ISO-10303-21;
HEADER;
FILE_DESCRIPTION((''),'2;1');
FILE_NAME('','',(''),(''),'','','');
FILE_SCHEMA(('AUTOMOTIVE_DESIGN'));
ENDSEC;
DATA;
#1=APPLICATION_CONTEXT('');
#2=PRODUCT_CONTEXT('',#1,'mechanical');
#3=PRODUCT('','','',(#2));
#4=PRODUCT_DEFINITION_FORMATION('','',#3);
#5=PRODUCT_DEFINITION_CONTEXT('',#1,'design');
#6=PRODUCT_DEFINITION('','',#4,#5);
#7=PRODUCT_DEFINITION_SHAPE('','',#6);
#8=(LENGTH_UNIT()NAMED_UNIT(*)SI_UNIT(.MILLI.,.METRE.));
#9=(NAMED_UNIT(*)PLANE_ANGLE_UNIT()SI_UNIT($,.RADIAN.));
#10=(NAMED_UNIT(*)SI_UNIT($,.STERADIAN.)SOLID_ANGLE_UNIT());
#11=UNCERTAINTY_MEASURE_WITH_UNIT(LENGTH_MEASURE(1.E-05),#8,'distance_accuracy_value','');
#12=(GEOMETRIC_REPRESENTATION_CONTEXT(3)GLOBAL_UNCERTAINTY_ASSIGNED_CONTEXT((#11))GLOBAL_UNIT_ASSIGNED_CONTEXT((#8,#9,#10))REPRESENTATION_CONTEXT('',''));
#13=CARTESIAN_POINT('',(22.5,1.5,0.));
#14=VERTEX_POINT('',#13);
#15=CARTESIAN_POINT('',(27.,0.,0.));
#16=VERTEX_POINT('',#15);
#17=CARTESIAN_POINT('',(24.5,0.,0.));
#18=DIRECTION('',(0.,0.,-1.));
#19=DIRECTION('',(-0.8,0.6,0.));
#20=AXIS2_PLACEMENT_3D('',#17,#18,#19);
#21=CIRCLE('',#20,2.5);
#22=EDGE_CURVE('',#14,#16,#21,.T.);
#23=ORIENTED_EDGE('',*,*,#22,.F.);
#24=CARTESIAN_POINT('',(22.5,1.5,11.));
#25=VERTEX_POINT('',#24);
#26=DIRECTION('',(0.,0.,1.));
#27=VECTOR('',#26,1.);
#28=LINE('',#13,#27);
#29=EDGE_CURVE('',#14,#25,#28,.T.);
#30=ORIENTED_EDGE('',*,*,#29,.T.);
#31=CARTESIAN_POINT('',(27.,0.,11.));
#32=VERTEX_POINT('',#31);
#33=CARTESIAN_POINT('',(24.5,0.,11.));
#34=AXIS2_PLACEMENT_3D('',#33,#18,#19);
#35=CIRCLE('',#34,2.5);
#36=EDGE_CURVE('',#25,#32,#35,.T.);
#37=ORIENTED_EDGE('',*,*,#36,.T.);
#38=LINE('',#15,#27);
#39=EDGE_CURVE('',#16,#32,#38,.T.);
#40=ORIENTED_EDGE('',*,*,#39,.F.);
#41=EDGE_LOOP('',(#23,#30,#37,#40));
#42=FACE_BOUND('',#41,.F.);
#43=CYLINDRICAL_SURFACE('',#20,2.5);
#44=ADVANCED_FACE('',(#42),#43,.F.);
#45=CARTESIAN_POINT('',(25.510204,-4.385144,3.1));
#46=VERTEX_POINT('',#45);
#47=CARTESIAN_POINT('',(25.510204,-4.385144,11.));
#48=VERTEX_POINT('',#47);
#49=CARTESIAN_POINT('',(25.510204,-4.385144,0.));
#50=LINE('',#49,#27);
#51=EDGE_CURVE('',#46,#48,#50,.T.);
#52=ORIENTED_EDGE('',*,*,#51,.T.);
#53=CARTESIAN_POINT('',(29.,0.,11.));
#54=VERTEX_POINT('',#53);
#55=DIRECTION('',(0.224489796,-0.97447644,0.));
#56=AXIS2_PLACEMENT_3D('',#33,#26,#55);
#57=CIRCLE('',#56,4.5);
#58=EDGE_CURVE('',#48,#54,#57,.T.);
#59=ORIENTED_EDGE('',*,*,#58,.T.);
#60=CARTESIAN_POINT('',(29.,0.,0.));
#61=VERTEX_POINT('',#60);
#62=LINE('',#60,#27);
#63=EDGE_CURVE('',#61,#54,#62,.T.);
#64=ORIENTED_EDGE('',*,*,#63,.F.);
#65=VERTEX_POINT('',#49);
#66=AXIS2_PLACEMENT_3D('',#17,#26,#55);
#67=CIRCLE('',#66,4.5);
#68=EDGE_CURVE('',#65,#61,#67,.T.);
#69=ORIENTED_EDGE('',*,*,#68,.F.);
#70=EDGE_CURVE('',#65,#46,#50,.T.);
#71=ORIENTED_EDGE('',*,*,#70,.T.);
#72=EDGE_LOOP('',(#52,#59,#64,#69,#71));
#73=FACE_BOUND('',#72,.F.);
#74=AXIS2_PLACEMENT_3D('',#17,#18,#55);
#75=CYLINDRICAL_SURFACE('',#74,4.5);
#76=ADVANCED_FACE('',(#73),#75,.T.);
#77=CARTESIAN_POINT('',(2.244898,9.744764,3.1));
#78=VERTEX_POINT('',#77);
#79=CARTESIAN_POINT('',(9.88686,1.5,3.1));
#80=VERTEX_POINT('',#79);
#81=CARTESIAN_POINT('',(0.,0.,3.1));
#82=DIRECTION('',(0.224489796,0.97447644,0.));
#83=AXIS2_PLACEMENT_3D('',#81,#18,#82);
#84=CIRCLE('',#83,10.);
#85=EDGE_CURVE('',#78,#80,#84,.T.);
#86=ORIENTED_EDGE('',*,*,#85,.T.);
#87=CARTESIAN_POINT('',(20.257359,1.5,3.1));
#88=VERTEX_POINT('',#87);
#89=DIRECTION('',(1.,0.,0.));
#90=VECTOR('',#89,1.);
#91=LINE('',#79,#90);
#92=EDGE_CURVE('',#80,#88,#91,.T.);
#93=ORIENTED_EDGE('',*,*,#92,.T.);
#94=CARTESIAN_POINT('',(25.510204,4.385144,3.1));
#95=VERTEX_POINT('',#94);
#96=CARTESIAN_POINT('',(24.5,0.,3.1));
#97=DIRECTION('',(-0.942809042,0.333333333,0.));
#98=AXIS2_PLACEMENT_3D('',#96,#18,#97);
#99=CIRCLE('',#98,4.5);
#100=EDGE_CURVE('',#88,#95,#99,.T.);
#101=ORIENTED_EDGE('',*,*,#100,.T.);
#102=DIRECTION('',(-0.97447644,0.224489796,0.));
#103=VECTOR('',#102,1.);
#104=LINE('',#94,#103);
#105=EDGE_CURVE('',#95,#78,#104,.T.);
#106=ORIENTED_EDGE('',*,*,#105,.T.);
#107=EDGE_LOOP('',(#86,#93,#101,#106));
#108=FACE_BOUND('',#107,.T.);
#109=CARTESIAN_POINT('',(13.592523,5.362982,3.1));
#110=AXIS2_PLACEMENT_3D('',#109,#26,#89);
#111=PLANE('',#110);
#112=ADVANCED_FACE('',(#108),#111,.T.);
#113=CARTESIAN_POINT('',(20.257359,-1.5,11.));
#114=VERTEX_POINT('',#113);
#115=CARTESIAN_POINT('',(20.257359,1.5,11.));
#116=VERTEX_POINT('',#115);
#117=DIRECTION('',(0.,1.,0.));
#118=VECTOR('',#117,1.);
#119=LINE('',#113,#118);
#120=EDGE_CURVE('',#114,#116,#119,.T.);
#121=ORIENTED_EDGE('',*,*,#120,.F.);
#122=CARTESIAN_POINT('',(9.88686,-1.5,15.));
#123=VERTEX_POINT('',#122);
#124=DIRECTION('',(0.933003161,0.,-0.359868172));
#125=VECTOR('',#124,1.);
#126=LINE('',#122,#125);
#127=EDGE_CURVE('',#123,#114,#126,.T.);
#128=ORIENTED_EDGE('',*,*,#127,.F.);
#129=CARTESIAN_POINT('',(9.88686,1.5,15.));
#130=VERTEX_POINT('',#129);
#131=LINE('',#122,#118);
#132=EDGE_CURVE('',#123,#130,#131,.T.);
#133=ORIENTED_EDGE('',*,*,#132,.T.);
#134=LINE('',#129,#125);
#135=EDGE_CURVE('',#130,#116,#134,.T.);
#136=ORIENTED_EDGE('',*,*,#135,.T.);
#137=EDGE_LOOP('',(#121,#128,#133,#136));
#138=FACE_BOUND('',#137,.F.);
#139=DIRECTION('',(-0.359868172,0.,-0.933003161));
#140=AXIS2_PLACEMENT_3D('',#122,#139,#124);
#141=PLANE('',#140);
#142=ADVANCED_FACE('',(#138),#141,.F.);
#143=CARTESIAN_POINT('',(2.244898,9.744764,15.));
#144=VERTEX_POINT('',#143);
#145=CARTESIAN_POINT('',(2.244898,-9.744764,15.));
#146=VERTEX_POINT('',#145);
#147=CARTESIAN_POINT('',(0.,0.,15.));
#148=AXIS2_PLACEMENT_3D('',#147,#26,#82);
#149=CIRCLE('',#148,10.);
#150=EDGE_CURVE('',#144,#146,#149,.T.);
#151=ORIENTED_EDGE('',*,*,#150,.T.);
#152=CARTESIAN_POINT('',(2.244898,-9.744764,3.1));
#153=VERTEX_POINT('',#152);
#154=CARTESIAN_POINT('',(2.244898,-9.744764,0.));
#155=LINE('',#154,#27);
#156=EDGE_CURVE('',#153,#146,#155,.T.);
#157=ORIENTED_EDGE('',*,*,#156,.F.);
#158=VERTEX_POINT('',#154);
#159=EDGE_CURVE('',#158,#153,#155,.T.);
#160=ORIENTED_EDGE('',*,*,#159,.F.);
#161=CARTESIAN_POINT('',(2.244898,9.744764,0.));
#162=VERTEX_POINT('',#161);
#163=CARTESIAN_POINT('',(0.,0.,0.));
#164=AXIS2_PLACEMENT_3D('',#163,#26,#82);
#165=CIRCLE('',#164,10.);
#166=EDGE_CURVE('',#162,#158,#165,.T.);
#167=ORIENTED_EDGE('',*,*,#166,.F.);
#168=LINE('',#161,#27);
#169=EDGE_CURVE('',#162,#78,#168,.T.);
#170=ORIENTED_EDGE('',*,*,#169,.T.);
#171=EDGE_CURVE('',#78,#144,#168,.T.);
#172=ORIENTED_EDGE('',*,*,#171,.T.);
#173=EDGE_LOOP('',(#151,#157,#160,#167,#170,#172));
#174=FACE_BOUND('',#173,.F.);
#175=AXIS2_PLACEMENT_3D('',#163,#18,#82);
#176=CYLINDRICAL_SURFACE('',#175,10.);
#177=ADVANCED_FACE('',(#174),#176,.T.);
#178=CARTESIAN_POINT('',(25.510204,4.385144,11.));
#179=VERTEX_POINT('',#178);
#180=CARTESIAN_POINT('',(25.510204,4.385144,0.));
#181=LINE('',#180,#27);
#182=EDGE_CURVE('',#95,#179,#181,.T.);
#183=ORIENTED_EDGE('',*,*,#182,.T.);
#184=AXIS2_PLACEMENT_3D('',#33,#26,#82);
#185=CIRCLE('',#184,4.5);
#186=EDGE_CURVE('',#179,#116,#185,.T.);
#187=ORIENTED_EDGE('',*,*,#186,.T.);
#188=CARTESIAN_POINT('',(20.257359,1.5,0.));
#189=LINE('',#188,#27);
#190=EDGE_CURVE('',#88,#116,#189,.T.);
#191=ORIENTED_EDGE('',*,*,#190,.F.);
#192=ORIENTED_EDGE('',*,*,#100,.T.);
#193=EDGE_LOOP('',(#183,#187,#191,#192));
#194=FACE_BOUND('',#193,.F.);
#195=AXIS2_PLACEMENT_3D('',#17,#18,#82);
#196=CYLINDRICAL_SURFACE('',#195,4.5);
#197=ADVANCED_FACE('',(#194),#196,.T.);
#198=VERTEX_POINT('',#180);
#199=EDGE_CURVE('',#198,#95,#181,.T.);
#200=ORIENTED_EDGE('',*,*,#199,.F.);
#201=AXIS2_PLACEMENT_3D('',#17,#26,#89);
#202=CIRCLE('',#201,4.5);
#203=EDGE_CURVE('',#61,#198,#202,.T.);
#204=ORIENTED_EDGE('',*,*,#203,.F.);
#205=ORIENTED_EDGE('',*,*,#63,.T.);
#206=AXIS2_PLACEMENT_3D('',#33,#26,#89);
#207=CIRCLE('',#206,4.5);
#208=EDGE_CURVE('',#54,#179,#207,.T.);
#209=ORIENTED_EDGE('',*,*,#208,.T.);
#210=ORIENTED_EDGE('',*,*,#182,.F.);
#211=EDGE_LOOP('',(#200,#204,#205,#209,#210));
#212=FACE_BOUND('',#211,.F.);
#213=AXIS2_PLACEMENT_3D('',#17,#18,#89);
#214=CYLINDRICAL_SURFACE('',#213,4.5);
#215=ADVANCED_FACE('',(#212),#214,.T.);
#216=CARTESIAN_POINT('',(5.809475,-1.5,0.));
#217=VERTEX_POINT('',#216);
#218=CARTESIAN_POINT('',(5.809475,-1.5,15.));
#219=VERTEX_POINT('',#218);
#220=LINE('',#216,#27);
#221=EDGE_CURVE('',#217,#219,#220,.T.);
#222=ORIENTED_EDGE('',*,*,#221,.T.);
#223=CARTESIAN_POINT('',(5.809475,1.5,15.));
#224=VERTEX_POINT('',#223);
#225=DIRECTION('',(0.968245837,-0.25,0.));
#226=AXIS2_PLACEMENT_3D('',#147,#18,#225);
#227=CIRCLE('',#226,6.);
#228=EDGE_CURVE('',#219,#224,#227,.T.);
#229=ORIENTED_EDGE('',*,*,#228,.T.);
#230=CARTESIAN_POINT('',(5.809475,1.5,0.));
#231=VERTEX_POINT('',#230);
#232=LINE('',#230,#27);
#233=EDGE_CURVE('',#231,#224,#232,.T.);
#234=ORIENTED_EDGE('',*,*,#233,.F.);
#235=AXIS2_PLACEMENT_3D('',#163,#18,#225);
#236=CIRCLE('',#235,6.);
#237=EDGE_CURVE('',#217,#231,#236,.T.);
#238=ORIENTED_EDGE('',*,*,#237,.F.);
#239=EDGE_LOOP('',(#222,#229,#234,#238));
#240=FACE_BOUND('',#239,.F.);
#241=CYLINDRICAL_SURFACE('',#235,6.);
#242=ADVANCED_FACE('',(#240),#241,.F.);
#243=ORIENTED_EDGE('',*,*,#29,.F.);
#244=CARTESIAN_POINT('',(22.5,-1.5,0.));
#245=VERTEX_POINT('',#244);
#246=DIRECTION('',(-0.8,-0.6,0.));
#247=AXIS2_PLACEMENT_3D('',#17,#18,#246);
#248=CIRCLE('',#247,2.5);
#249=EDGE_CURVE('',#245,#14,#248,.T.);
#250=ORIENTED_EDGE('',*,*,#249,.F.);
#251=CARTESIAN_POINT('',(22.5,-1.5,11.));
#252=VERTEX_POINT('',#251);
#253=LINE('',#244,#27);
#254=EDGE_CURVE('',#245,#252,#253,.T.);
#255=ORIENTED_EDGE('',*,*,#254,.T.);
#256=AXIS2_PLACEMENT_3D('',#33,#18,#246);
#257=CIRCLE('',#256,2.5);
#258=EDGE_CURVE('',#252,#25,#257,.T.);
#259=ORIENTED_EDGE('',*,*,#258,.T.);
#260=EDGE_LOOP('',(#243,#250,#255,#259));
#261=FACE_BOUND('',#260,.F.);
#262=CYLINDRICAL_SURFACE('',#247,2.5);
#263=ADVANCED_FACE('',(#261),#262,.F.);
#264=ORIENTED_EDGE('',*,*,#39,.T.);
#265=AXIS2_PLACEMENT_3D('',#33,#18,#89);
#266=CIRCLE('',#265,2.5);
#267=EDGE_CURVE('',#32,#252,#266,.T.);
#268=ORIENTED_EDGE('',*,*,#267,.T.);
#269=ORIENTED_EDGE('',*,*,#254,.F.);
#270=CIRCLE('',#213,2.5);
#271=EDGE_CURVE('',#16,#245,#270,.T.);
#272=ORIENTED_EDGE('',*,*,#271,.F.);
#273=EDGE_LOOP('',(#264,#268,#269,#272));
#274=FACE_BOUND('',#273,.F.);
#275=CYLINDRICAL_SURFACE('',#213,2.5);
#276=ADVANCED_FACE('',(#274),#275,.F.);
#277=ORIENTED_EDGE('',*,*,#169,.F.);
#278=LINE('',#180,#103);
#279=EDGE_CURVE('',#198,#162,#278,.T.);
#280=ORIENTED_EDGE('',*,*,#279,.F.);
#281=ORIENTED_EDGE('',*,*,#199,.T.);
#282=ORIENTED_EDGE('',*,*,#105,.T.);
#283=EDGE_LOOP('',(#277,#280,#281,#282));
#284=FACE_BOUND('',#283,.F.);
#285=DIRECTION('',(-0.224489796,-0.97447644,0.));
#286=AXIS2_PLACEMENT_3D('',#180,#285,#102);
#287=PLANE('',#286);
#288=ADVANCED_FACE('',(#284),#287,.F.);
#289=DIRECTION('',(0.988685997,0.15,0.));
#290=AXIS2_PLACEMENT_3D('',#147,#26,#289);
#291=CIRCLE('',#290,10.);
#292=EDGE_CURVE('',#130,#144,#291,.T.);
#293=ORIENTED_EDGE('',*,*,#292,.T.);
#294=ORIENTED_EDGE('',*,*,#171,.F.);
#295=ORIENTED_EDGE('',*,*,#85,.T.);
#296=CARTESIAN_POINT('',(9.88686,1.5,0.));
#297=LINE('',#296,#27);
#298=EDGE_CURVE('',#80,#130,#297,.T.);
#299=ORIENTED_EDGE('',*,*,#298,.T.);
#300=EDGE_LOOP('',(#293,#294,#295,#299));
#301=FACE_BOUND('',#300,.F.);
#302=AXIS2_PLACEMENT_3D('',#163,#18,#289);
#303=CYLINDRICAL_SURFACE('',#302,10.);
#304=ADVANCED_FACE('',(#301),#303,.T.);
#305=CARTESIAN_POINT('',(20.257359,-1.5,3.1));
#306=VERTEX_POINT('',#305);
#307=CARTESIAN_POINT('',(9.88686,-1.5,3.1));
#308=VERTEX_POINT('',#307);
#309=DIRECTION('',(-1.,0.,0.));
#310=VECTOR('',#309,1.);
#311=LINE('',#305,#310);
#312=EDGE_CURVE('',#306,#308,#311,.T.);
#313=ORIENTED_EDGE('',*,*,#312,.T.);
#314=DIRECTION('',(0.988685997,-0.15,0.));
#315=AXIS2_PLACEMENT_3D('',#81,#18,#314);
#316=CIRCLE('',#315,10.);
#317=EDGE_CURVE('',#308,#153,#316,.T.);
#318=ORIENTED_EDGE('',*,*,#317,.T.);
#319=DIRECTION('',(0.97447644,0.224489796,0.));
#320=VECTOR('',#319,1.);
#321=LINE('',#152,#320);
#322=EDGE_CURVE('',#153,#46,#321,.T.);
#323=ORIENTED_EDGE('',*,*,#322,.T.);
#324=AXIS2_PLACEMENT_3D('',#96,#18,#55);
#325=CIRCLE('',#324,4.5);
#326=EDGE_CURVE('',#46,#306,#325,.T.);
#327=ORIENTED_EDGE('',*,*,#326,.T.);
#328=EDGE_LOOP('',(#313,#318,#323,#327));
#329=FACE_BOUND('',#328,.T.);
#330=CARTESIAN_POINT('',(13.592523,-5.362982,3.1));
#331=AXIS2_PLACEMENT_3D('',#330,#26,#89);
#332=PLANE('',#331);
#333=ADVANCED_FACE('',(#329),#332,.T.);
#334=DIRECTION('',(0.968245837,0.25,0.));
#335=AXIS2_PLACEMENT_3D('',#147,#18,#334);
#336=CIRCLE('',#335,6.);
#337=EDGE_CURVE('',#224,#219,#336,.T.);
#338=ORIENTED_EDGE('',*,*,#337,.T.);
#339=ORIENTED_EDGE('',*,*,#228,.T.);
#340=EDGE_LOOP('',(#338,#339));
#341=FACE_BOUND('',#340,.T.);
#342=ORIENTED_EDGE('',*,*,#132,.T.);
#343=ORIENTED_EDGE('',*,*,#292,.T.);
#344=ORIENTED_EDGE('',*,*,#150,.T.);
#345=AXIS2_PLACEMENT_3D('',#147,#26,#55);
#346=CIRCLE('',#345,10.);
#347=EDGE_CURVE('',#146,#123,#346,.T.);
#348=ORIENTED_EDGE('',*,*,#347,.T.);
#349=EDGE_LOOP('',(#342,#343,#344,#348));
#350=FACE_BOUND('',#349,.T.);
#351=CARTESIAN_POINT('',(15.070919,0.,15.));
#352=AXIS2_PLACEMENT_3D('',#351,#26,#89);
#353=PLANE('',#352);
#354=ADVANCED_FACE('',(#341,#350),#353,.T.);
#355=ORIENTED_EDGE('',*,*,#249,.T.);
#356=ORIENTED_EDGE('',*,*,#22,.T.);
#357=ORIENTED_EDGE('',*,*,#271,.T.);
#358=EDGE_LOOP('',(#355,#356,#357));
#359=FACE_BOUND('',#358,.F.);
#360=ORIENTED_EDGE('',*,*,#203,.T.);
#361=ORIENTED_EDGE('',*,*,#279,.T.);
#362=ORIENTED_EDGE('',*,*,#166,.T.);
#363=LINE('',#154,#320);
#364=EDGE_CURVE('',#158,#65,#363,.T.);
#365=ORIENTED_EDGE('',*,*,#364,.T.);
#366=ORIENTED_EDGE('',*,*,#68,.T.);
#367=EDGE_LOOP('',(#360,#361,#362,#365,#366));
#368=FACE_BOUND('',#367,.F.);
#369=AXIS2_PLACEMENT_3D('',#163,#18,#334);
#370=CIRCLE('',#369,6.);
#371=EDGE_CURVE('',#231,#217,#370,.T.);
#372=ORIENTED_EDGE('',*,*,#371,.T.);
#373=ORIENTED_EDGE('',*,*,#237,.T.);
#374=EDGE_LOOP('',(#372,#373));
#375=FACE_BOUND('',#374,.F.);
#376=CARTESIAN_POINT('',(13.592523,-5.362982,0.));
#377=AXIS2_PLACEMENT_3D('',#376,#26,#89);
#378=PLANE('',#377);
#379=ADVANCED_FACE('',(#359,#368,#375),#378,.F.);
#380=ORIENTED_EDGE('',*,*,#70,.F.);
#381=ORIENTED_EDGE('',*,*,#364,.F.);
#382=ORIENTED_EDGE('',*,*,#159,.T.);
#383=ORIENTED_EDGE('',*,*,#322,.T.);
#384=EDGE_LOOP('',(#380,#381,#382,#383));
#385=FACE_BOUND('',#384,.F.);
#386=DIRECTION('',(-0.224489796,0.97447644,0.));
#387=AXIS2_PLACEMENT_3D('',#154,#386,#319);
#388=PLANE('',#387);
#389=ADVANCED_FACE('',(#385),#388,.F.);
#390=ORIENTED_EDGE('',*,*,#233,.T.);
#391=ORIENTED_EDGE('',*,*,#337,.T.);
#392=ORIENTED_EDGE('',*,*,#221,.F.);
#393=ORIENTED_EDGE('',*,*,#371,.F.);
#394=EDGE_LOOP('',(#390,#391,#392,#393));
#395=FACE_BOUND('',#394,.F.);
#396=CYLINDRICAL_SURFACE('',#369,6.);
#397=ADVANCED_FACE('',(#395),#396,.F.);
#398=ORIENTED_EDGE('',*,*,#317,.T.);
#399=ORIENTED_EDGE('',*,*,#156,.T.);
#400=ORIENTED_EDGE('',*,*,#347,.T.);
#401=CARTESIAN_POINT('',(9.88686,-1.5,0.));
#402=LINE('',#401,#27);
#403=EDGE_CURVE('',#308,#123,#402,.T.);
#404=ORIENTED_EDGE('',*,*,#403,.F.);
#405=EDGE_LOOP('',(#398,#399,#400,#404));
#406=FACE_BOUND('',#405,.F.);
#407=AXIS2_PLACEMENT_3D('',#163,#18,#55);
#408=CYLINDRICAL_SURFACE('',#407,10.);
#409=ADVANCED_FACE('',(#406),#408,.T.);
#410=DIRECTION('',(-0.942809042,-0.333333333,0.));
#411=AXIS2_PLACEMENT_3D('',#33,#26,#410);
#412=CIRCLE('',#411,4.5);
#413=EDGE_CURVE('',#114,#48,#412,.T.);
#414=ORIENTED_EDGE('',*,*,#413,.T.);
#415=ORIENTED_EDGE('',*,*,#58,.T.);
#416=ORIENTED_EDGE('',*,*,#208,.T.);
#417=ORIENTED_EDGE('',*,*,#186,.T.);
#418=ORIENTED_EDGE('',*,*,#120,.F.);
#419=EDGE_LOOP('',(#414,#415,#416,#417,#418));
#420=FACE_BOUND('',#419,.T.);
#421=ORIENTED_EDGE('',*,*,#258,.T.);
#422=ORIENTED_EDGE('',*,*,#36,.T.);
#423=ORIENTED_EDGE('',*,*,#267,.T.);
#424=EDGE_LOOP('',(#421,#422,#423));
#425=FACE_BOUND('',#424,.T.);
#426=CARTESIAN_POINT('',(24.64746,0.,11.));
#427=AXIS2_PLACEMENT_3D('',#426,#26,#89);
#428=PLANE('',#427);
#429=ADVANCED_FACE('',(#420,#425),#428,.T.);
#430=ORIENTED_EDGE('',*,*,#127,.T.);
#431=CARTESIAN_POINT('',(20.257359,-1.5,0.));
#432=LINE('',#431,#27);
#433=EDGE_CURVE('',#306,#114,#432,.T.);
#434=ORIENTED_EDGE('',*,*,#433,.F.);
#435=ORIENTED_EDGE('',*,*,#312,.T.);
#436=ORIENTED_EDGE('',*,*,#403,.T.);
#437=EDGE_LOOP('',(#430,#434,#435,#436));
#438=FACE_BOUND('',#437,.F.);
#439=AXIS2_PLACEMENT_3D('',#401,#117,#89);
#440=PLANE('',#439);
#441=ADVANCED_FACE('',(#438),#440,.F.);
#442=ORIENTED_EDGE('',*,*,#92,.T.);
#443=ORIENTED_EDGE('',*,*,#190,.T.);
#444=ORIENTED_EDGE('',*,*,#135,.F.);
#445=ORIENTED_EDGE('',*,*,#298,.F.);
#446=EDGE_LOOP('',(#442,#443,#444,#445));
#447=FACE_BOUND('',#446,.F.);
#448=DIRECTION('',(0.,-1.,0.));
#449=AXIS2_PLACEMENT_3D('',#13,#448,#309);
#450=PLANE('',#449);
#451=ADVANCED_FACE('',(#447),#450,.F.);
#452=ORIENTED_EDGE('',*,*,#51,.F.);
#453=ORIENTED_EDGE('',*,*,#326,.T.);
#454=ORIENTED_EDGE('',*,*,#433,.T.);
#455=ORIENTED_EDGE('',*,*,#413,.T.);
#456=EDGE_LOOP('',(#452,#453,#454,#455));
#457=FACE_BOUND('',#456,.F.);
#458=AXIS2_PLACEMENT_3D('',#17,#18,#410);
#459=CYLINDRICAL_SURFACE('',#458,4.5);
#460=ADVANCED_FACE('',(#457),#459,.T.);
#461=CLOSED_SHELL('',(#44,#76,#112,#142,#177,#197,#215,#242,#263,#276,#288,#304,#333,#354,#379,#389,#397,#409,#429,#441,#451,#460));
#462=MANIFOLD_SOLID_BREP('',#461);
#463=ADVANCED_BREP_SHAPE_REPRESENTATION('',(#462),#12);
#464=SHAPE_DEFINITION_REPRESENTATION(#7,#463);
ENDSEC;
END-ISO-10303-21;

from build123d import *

# Parameters (mm, degrees)
F1_DEPTH = 15
F2_DEPTH = 15
F3_DEPTH = 11
F4_DEPTH = 3.1
F6_DEPTH = 3


with BuildPart() as f1:
    # F0 (on Top) → F1 (new body)
    with BuildSketch(Plane.XY):
        with BuildLine():
            ThreePointArc((9.8868599666, 1.5), (7.3340931671, 6.7978730068), (2.2448979592, 9.744764397))
            ThreePointArc((2.2448979592, 9.744764397), (-10, 0), (2.2448979592, -9.744764397))
            ThreePointArc((2.2448979592, -9.744764397), (7.3340931671, -6.7978730068), (9.8868599666, -1.5))
            Line((9.8868599666, -1.5), (5.8094750193, -1.5))
            ThreePointArc((5.8094750193, -1.5), (-6, 0), (5.8094750193, 1.5))
            Line((5.8094750193, 1.5), (9.8868599666, 1.5))
        make_face()
        with BuildLine():
            ThreePointArc((10, 0), (9.971674876, 0.7521304187), (9.8868599666, 1.5))
            Line((9.8868599666, 1.5), (5.8094750193, 1.5))
            ThreePointArc((5.8094750193, 1.5), (5.9521781776, 0.7560257549), (6, 0))
            ThreePointArc((6, 0), (5.9521781776, -0.7560257549), (5.8094750193, -1.5))
            Line((5.8094750193, -1.5), (9.8868599666, -1.5))
            ThreePointArc((9.8868599666, -1.5), (9.971674876, -0.7521304187), (10, 0))
        make_face()
    extrude(amount=F1_DEPTH)

    # F0 (on Top) → F2 (join)
    with BuildSketch(Plane.XY):
        with BuildLine():
            Line((20.2573593129, 1.5), (9.8868599666, 1.5))
            ThreePointArc((9.8868599666, 1.5), (9.971674876, 0.7521304187), (10, 0))
            ThreePointArc((10, 0), (9.971674876, -0.7521304187), (9.8868599666, -1.5))
            Line((9.8868599666, -1.5), (20.2573593129, -1.5))
            ThreePointArc((20.2573593129, -1.5), (20, 0), (20.2573593129, 1.5))
        make_face()
        with BuildLine():
            Line((22.5, 1.5), (20.2573593129, 1.5))
            ThreePointArc((20.2573593129, 1.5), (20, 0), (20.2573593129, -1.5))
            Line((20.2573593129, -1.5), (22.5, -1.5))
            ThreePointArc((22.5, -1.5), (22, 0), (22.5, 1.5))
        make_face()
    extrude(amount=F2_DEPTH)

    # F0 (on Top) → F3 (join)
    with BuildSketch(Plane.XY):
        with BuildLine():
            ThreePointArc((29, 0), (28.021073584, 2.8021493208), (25.5102040816, 4.3851439786))
            ThreePointArc((25.5102040816, 4.3851439786), (22.3336261757, 3.9442140476), (20.2573593129, 1.5))
            Line((20.2573593129, 1.5), (22.5, 1.5))
            ThreePointArc((22.5, 1.5), (25.290569415, 2.3717082451), (27, 0))
            ThreePointArc((27, 0), (25.290569415, -2.3717082451), (22.5, -1.5))
            Line((22.5, -1.5), (20.2573593129, -1.5))
            ThreePointArc((20.2573593129, -1.5), (22.3336261757, -3.9442140476), (25.5102040816, -4.3851439786))
            ThreePointArc((25.5102040816, -4.3851439786), (28.021073584, -2.8021493208), (29, 0))
        make_face()
    extrude(amount=F3_DEPTH)

    # F0 (on Top) → F4 (join)
    with BuildSketch(Plane.XY):
        with BuildLine():
            ThreePointArc((9.8868599666, -1.5), (7.3340931671, -6.7978730068), (2.2448979592, -9.744764397))
            Line((2.2448979592, -9.744764397), (25.5102040816, -4.3851439786))
            ThreePointArc((25.5102040816, -4.3851439786), (22.3336261757, -3.9442140476), (20.2573593129, -1.5))
            Line((20.2573593129, -1.5), (9.8868599666, -1.5))
        make_face()
        with BuildLine():
            Line((25.5102040816, 4.3851439786), (2.2448979592, 9.744764397))
            ThreePointArc((2.2448979592, 9.744764397), (7.3340931671, 6.7978730068), (9.8868599666, 1.5))
            Line((9.8868599666, 1.5), (20.2573593129, 1.5))
            ThreePointArc((20.2573593129, 1.5), (22.3336261757, 3.9442140476), (25.5102040816, 4.3851439786))
        make_face()
    extrude(amount=F4_DEPTH)

    # F5 (on face) → F6 (cut, through all)
    with BuildSketch(Plane.XZ.offset(1.5)):
        Polygon((22.5, 15), (9.8868599666, 15), (20.2573593129, 11), (22.5, 11), align=None)
    extrude(amount=-F6_DEPTH, mode=Mode.SUBTRACT)


solid = f1.part
